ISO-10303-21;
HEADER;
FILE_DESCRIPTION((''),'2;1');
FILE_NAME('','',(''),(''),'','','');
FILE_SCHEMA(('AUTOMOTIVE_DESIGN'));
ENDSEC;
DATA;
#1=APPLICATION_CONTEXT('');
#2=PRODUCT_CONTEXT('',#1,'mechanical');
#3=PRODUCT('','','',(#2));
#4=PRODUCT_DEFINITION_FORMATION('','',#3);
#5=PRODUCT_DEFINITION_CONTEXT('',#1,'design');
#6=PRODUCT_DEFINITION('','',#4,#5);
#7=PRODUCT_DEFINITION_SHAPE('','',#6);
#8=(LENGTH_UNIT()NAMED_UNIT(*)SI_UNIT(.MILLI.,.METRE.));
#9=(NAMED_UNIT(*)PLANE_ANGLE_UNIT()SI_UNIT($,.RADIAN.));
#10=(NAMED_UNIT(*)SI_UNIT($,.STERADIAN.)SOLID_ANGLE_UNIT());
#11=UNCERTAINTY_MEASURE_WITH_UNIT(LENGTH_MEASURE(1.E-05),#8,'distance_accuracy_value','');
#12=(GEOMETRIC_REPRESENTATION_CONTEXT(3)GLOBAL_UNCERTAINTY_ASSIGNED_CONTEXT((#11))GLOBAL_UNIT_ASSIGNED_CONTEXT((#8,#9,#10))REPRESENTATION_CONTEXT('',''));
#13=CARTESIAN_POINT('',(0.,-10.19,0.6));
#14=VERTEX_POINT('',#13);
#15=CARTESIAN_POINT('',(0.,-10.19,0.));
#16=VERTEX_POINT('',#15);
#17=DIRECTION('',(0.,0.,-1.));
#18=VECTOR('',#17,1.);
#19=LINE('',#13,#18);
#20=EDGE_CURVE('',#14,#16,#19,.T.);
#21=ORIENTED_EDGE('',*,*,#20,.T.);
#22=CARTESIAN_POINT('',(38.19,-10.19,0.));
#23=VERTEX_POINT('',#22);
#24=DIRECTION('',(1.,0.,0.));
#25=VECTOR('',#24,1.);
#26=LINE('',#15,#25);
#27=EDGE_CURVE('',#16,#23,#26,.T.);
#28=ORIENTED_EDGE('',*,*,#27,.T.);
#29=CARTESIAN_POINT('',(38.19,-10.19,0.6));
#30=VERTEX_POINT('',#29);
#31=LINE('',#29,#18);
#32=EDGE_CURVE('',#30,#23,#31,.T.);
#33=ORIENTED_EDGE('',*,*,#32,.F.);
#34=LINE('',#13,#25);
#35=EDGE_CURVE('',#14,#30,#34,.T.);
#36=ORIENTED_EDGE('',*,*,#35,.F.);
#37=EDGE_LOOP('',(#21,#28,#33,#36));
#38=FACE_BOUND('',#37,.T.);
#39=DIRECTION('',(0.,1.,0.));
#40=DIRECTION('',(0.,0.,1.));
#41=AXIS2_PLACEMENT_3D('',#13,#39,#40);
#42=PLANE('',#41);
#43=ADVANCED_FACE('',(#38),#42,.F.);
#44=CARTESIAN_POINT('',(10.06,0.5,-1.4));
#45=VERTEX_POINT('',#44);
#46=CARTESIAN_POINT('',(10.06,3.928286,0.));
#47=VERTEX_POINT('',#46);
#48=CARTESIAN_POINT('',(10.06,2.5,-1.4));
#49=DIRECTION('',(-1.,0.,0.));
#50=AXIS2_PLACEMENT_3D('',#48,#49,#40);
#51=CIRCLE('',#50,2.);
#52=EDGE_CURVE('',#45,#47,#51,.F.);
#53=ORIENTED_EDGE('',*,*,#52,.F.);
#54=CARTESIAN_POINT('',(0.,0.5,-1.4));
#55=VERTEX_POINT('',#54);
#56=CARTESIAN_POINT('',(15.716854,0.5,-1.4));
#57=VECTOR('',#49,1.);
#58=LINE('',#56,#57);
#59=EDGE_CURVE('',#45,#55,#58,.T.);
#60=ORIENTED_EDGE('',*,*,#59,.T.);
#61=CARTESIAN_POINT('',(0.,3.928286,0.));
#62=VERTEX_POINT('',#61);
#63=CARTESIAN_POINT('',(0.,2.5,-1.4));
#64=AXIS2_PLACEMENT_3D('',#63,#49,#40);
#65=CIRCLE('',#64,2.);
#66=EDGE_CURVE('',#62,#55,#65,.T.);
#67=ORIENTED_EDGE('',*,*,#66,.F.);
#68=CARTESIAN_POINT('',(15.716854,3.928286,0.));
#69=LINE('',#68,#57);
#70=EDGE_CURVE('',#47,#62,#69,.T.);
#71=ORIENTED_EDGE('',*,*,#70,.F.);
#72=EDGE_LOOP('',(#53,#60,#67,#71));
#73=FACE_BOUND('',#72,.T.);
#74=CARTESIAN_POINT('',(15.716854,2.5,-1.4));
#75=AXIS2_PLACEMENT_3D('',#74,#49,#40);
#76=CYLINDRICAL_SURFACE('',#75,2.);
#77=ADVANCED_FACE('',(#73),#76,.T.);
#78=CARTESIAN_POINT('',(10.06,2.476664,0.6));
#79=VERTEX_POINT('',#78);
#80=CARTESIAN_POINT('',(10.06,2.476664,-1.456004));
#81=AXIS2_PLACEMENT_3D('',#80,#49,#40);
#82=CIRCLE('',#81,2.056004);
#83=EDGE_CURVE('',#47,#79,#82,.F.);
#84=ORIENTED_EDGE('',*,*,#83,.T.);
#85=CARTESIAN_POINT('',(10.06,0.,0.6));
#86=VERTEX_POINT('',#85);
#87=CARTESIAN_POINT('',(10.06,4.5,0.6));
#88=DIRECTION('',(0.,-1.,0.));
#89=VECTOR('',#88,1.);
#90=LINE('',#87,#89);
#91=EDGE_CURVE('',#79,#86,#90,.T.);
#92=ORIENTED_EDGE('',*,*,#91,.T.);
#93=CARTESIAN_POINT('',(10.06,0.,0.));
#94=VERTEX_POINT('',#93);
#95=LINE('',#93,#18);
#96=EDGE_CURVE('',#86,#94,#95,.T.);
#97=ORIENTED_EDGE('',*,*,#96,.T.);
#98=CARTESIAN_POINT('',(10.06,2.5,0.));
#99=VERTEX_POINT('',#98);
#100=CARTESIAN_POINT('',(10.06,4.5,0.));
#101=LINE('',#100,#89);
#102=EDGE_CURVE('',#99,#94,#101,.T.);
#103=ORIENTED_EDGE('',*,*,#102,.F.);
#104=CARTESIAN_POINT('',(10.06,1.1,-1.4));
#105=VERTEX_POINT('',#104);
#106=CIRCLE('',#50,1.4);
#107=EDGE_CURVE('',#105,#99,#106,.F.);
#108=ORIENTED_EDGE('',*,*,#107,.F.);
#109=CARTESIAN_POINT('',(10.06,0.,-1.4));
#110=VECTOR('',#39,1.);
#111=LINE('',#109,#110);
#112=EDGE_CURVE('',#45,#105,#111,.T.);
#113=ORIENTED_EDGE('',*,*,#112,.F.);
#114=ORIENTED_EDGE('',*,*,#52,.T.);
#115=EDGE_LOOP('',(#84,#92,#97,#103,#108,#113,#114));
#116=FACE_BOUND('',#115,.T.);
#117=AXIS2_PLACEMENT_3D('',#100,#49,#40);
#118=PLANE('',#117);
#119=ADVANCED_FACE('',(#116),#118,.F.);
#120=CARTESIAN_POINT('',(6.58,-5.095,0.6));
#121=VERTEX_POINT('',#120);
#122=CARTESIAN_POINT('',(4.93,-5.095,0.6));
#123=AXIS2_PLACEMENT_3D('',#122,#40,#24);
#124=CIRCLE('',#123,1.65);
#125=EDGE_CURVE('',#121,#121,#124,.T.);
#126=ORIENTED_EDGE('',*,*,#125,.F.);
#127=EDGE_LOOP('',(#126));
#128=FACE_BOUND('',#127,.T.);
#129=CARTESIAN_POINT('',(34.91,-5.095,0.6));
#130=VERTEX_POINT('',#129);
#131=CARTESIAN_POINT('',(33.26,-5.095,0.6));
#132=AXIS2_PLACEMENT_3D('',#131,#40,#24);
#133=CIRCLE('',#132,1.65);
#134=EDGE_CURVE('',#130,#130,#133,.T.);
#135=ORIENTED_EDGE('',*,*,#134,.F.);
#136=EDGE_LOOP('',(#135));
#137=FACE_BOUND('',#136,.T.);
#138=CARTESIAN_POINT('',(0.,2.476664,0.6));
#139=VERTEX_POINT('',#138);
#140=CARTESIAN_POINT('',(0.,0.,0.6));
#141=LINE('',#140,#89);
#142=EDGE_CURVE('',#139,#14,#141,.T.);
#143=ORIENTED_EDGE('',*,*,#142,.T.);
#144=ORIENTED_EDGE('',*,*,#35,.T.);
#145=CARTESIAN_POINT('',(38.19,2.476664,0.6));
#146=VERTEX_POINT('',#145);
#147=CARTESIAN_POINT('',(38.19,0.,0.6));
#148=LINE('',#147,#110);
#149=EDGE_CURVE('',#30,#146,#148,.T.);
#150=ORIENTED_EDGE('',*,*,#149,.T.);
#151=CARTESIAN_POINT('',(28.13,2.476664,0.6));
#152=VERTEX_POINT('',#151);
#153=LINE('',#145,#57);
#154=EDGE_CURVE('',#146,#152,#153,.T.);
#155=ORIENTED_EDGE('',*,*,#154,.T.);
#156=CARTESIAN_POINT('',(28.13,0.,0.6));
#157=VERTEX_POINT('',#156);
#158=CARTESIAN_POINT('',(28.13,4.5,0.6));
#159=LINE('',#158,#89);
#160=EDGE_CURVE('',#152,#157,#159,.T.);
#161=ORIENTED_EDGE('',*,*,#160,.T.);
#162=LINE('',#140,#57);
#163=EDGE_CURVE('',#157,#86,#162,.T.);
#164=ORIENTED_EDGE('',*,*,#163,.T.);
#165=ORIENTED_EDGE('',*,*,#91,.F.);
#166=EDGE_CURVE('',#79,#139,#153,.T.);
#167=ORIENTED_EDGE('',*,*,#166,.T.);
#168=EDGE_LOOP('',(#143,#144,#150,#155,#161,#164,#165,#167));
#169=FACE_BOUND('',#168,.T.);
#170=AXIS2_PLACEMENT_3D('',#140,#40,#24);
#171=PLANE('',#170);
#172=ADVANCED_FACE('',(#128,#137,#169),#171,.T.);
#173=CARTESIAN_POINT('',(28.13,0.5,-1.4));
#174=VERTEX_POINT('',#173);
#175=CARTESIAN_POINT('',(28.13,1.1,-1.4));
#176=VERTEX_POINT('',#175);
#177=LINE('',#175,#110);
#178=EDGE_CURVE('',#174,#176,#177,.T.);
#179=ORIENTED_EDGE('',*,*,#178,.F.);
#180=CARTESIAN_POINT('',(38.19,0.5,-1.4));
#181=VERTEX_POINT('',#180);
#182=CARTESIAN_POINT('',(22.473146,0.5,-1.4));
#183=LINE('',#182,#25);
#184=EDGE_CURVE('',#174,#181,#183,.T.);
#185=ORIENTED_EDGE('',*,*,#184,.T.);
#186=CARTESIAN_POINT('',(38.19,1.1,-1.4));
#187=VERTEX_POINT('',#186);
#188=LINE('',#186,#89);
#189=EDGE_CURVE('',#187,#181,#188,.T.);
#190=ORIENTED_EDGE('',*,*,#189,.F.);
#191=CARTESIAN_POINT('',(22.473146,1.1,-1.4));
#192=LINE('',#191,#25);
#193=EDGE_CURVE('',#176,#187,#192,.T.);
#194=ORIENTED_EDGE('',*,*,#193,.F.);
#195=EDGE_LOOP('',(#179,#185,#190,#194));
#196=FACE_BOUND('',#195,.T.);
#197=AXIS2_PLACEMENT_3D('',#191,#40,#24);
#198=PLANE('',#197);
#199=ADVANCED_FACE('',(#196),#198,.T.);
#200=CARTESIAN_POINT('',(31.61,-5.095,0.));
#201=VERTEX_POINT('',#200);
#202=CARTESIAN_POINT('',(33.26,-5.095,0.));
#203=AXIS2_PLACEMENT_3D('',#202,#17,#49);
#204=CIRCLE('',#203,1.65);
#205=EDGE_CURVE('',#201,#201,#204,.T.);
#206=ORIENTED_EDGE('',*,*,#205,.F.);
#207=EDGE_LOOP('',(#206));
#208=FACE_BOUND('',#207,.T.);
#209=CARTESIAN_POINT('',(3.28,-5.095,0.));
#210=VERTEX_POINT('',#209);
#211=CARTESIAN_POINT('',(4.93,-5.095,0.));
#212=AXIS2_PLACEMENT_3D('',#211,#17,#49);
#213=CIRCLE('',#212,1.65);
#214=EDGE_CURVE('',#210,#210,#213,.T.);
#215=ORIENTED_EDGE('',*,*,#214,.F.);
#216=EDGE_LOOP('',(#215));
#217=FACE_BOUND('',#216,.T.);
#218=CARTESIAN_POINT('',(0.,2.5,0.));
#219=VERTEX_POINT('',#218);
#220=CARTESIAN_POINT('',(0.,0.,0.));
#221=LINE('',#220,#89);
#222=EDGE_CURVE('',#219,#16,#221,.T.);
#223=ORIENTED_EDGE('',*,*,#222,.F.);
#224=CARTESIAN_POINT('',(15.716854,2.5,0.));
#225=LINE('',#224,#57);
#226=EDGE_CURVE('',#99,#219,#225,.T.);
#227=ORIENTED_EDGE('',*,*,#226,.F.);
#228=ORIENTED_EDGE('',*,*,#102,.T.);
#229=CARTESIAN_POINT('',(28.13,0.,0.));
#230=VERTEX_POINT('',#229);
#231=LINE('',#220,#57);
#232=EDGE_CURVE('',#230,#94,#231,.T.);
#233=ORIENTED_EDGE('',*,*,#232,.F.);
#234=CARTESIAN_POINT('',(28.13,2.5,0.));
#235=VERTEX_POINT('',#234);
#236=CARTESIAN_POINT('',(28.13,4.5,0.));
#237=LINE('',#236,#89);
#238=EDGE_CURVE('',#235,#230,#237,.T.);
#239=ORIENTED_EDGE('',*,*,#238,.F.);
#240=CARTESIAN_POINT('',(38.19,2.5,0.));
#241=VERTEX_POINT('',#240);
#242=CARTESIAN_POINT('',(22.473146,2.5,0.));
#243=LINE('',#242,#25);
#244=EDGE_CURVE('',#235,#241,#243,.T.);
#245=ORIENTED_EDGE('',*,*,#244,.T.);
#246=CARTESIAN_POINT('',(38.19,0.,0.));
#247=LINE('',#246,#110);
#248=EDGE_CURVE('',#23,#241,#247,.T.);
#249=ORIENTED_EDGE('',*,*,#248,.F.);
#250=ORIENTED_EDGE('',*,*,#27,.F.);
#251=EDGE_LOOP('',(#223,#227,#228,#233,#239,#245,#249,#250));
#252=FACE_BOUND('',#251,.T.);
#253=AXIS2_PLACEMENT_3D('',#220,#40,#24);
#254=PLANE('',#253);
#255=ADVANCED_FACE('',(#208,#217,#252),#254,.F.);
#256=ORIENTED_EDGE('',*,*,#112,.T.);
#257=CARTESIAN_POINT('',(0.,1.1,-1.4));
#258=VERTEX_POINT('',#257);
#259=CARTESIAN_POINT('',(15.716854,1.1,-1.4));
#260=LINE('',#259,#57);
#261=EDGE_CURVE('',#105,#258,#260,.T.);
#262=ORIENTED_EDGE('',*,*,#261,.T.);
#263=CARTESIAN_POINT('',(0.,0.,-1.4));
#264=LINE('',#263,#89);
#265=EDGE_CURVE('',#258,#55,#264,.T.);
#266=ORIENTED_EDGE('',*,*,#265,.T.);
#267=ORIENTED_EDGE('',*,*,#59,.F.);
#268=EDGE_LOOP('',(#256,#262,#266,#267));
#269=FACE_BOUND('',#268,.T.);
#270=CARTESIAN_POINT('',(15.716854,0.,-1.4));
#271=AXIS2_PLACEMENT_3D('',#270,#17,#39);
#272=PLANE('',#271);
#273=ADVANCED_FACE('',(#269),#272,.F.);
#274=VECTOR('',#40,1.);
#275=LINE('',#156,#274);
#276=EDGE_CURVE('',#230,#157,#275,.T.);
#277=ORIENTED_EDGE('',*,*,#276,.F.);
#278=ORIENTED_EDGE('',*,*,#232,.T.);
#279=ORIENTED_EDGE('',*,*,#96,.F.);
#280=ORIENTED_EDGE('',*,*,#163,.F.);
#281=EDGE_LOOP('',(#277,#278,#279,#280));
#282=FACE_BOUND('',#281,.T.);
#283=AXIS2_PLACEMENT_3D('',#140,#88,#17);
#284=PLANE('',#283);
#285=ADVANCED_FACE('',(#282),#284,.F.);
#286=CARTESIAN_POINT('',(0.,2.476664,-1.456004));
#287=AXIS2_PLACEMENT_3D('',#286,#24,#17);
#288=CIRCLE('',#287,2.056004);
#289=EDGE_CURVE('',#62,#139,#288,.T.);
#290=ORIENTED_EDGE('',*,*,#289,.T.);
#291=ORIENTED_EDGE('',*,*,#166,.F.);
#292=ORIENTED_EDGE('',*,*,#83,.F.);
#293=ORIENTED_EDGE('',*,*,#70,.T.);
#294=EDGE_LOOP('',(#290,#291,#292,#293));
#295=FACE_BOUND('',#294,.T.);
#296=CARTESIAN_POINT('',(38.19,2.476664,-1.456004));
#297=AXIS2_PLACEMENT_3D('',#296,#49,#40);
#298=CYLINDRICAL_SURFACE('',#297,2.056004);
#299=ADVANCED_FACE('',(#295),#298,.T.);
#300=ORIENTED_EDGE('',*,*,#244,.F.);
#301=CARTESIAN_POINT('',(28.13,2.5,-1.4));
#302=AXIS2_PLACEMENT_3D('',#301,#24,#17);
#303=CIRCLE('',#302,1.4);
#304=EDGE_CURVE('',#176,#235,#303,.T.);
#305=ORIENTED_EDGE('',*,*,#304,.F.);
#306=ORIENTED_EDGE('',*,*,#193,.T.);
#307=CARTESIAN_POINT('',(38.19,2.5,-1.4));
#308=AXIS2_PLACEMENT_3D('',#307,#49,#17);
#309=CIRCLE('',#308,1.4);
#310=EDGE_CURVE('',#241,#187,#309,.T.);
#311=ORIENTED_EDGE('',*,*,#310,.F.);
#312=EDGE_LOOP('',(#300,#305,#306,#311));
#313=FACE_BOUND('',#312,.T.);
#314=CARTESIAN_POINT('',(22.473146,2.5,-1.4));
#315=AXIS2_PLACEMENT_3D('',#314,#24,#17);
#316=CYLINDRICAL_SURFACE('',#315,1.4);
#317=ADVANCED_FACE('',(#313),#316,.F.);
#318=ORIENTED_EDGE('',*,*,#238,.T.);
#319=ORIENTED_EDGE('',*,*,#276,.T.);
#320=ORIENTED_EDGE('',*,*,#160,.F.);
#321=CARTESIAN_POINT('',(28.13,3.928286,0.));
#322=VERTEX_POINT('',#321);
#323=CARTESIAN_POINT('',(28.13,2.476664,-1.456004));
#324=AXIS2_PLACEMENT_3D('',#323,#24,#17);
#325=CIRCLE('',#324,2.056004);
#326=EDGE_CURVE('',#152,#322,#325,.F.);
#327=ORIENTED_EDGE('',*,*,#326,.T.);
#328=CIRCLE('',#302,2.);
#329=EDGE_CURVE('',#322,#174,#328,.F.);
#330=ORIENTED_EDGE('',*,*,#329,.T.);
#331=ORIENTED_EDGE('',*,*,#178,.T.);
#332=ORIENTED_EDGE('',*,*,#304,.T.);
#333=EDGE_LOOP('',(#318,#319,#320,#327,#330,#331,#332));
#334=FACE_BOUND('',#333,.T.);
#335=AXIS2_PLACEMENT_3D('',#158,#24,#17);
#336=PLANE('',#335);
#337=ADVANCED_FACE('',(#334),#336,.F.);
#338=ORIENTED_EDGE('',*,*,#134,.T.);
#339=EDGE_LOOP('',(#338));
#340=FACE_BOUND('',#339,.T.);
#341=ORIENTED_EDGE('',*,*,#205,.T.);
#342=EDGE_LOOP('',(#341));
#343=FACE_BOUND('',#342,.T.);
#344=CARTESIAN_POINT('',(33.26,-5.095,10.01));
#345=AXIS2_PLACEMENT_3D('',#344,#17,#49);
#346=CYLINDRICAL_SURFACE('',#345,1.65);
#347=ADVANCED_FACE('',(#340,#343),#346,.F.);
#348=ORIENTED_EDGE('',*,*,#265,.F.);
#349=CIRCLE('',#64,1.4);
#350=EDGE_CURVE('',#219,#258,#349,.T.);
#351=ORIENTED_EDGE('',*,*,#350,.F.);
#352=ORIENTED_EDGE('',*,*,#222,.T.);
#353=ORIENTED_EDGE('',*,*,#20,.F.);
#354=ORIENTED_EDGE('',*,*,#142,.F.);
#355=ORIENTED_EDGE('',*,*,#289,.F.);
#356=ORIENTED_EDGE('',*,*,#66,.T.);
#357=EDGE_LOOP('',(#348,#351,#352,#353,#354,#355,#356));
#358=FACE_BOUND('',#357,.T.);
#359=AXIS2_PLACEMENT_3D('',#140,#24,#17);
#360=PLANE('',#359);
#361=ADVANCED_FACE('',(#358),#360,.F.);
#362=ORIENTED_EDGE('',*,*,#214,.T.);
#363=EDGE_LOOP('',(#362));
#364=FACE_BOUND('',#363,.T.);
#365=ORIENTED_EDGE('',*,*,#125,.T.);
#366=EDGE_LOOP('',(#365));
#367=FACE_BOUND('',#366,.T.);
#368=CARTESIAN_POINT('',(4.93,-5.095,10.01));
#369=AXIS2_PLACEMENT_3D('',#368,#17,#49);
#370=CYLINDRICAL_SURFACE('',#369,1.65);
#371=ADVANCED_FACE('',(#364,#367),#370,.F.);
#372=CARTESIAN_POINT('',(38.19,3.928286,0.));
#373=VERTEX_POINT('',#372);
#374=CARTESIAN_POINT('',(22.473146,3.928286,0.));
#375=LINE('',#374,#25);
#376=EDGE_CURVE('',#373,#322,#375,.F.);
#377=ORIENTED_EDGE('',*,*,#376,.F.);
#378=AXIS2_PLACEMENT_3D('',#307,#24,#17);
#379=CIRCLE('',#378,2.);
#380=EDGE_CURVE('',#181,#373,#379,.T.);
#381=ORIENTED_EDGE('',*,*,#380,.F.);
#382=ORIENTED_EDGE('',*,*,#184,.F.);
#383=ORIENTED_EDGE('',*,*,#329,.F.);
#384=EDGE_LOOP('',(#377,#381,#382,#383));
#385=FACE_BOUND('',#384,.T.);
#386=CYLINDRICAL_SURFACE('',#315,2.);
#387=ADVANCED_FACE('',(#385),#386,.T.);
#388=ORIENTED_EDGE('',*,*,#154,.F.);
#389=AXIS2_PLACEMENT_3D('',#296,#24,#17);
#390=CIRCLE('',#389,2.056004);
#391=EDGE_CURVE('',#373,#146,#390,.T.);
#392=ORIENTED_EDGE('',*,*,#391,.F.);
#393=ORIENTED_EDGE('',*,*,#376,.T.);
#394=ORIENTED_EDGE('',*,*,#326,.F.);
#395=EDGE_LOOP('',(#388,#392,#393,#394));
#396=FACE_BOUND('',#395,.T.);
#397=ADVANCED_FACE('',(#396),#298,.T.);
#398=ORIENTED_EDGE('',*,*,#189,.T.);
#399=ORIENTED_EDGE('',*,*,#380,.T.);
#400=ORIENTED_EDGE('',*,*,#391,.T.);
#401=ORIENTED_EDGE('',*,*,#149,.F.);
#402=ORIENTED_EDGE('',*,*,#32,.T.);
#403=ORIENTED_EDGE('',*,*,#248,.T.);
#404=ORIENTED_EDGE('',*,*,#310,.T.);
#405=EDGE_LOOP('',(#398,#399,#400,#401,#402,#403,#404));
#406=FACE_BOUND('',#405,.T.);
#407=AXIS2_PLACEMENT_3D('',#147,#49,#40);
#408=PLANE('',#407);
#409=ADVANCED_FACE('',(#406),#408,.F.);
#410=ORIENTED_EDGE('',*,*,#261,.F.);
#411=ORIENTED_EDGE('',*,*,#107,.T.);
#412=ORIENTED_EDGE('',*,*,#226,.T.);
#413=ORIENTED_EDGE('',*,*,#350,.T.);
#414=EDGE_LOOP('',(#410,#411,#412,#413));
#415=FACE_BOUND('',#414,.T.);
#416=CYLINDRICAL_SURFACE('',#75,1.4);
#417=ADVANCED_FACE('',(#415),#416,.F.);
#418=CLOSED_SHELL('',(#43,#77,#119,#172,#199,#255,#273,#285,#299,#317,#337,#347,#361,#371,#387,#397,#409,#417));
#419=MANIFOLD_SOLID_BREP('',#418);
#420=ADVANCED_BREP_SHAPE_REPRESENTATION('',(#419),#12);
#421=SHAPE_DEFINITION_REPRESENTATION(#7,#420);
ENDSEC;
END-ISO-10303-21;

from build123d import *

# Parameters (mm, degrees)
SKETCH1_W           = 38.19
SKETCH1_H           = 10.19
BOSS_EXTRUDE1_DEPTH = 0.6
SKETCH2_W           = 10.06
SKETCH2_H           = 0.6
BOSS_EXTRUDE2_DEPTH = 4.5
BOSS_EXTRUDE3_DEPTH = 10.06
BOSS_EXTRUDE4_START = -10.06
BOSS_EXTRUDE4_DEPTH = 10.06
CUT_EXTRUDE1_DEPTH  = 40.672058177
SKETCH7_R           = 1.65
CUT_EXTRUDE2_DEPTH  = 10.01


with BuildPart() as part:
    # Sketch1 → Boss-Extrude1 (new body)
    with BuildSketch(Plane.XY):
        with Locations((19.095, -5.095)):
            Rectangle(SKETCH1_W, SKETCH1_H)
    extrude(amount=BOSS_EXTRUDE1_DEPTH)

    # Sketch2 → Boss-Extrude2 (add)
    with BuildSketch(Plane(origin=(0, 0, 0), x_dir=(1, 0, 0), z_dir=(0, 1, 0))):
        with Locations((5.03, -0.3)):
            Rectangle(SKETCH2_W, SKETCH2_H)
        with Locations((33.16, -0.3)):
            Rectangle(SKETCH2_W, SKETCH2_H)
    extrude(amount=BOSS_EXTRUDE2_DEPTH)

    # Sketch4 → Boss-Extrude3 (add)
    with BuildSketch(Plane(origin=(38.19, 0, 0), x_dir=(0, 0, -1), z_dir=(1, 0, 0))):
        with BuildLine():
            Line((0, 2.5), (-0.6, 2.5))
            ThreePointArc((-0.6, 2.5), (2.814213562, 3.914213562), (1.4, 0.5))
            Line((1.4, 0.5), (1.4, 1.1))
            ThreePointArc((1.4, 1.1), (2.389949494, 3.489949494), (0, 2.5))
        make_face()
    extrude(amount=-BOSS_EXTRUDE3_DEPTH)

    # Sketch5 → Boss-Extrude4 (add)
    with BuildSketch(Plane.ZY.offset(BOSS_EXTRUDE4_START)):
        with BuildLine():
            ThreePointArc((-1.4, 1.1), (-2.389949494, 3.489949494), (0, 2.5))
            Line((0, 2.5), (0, 3.928285686))
            ThreePointArc((0, 3.928285686), (-3.251563039, 3.256117924), (-1.4, 0.5))
            Line((-1.4, 0.5), (-1.4, 1.1))
        make_face()
        with BuildLine():
            Line((0, 3.928285686), (0, 2.5))
            Line((0, 2.5), (0.6, 2.5))
            ThreePointArc((0.6, 2.5), (0.443908891, 3.274596669), (0, 3.928285686))
        make_face()
    extrude(amount=BOSS_EXTRUDE4_DEPTH)

    # Sketch6 → Cut-Extrude1 (cut, through all)
    with BuildSketch(Plane.ZY):
        with BuildLine():
            Line((0, 3.928285686), (0, 4.5))
            Line((0, 4.5), (0.6, 4.5))
            Line((0.6, 4.5), (0.6, 2.47666439))
            ThreePointArc((0.6, 2.47666439), (0.44408843, 3.262031245), (0, 3.928285686))
        make_face()
    extrude(amount=-CUT_EXTRUDE1_DEPTH, mode=Mode.SUBTRACT)

    # Sketch7 → Cut-Extrude2 (cut)
    with BuildSketch(Plane(origin=(0, 0, 0), x_dir=(-1, 0, 0), z_dir=(0, 0, -1))):
        with Locations((-33.26, -5.095)):
            Circle(SKETCH7_R)
        with Locations((-4.93, -5.095)):
            Circle(SKETCH7_R)
    extrude(amount=-CUT_EXTRUDE2_DEPTH, mode=Mode.SUBTRACT)


solid = part.part
